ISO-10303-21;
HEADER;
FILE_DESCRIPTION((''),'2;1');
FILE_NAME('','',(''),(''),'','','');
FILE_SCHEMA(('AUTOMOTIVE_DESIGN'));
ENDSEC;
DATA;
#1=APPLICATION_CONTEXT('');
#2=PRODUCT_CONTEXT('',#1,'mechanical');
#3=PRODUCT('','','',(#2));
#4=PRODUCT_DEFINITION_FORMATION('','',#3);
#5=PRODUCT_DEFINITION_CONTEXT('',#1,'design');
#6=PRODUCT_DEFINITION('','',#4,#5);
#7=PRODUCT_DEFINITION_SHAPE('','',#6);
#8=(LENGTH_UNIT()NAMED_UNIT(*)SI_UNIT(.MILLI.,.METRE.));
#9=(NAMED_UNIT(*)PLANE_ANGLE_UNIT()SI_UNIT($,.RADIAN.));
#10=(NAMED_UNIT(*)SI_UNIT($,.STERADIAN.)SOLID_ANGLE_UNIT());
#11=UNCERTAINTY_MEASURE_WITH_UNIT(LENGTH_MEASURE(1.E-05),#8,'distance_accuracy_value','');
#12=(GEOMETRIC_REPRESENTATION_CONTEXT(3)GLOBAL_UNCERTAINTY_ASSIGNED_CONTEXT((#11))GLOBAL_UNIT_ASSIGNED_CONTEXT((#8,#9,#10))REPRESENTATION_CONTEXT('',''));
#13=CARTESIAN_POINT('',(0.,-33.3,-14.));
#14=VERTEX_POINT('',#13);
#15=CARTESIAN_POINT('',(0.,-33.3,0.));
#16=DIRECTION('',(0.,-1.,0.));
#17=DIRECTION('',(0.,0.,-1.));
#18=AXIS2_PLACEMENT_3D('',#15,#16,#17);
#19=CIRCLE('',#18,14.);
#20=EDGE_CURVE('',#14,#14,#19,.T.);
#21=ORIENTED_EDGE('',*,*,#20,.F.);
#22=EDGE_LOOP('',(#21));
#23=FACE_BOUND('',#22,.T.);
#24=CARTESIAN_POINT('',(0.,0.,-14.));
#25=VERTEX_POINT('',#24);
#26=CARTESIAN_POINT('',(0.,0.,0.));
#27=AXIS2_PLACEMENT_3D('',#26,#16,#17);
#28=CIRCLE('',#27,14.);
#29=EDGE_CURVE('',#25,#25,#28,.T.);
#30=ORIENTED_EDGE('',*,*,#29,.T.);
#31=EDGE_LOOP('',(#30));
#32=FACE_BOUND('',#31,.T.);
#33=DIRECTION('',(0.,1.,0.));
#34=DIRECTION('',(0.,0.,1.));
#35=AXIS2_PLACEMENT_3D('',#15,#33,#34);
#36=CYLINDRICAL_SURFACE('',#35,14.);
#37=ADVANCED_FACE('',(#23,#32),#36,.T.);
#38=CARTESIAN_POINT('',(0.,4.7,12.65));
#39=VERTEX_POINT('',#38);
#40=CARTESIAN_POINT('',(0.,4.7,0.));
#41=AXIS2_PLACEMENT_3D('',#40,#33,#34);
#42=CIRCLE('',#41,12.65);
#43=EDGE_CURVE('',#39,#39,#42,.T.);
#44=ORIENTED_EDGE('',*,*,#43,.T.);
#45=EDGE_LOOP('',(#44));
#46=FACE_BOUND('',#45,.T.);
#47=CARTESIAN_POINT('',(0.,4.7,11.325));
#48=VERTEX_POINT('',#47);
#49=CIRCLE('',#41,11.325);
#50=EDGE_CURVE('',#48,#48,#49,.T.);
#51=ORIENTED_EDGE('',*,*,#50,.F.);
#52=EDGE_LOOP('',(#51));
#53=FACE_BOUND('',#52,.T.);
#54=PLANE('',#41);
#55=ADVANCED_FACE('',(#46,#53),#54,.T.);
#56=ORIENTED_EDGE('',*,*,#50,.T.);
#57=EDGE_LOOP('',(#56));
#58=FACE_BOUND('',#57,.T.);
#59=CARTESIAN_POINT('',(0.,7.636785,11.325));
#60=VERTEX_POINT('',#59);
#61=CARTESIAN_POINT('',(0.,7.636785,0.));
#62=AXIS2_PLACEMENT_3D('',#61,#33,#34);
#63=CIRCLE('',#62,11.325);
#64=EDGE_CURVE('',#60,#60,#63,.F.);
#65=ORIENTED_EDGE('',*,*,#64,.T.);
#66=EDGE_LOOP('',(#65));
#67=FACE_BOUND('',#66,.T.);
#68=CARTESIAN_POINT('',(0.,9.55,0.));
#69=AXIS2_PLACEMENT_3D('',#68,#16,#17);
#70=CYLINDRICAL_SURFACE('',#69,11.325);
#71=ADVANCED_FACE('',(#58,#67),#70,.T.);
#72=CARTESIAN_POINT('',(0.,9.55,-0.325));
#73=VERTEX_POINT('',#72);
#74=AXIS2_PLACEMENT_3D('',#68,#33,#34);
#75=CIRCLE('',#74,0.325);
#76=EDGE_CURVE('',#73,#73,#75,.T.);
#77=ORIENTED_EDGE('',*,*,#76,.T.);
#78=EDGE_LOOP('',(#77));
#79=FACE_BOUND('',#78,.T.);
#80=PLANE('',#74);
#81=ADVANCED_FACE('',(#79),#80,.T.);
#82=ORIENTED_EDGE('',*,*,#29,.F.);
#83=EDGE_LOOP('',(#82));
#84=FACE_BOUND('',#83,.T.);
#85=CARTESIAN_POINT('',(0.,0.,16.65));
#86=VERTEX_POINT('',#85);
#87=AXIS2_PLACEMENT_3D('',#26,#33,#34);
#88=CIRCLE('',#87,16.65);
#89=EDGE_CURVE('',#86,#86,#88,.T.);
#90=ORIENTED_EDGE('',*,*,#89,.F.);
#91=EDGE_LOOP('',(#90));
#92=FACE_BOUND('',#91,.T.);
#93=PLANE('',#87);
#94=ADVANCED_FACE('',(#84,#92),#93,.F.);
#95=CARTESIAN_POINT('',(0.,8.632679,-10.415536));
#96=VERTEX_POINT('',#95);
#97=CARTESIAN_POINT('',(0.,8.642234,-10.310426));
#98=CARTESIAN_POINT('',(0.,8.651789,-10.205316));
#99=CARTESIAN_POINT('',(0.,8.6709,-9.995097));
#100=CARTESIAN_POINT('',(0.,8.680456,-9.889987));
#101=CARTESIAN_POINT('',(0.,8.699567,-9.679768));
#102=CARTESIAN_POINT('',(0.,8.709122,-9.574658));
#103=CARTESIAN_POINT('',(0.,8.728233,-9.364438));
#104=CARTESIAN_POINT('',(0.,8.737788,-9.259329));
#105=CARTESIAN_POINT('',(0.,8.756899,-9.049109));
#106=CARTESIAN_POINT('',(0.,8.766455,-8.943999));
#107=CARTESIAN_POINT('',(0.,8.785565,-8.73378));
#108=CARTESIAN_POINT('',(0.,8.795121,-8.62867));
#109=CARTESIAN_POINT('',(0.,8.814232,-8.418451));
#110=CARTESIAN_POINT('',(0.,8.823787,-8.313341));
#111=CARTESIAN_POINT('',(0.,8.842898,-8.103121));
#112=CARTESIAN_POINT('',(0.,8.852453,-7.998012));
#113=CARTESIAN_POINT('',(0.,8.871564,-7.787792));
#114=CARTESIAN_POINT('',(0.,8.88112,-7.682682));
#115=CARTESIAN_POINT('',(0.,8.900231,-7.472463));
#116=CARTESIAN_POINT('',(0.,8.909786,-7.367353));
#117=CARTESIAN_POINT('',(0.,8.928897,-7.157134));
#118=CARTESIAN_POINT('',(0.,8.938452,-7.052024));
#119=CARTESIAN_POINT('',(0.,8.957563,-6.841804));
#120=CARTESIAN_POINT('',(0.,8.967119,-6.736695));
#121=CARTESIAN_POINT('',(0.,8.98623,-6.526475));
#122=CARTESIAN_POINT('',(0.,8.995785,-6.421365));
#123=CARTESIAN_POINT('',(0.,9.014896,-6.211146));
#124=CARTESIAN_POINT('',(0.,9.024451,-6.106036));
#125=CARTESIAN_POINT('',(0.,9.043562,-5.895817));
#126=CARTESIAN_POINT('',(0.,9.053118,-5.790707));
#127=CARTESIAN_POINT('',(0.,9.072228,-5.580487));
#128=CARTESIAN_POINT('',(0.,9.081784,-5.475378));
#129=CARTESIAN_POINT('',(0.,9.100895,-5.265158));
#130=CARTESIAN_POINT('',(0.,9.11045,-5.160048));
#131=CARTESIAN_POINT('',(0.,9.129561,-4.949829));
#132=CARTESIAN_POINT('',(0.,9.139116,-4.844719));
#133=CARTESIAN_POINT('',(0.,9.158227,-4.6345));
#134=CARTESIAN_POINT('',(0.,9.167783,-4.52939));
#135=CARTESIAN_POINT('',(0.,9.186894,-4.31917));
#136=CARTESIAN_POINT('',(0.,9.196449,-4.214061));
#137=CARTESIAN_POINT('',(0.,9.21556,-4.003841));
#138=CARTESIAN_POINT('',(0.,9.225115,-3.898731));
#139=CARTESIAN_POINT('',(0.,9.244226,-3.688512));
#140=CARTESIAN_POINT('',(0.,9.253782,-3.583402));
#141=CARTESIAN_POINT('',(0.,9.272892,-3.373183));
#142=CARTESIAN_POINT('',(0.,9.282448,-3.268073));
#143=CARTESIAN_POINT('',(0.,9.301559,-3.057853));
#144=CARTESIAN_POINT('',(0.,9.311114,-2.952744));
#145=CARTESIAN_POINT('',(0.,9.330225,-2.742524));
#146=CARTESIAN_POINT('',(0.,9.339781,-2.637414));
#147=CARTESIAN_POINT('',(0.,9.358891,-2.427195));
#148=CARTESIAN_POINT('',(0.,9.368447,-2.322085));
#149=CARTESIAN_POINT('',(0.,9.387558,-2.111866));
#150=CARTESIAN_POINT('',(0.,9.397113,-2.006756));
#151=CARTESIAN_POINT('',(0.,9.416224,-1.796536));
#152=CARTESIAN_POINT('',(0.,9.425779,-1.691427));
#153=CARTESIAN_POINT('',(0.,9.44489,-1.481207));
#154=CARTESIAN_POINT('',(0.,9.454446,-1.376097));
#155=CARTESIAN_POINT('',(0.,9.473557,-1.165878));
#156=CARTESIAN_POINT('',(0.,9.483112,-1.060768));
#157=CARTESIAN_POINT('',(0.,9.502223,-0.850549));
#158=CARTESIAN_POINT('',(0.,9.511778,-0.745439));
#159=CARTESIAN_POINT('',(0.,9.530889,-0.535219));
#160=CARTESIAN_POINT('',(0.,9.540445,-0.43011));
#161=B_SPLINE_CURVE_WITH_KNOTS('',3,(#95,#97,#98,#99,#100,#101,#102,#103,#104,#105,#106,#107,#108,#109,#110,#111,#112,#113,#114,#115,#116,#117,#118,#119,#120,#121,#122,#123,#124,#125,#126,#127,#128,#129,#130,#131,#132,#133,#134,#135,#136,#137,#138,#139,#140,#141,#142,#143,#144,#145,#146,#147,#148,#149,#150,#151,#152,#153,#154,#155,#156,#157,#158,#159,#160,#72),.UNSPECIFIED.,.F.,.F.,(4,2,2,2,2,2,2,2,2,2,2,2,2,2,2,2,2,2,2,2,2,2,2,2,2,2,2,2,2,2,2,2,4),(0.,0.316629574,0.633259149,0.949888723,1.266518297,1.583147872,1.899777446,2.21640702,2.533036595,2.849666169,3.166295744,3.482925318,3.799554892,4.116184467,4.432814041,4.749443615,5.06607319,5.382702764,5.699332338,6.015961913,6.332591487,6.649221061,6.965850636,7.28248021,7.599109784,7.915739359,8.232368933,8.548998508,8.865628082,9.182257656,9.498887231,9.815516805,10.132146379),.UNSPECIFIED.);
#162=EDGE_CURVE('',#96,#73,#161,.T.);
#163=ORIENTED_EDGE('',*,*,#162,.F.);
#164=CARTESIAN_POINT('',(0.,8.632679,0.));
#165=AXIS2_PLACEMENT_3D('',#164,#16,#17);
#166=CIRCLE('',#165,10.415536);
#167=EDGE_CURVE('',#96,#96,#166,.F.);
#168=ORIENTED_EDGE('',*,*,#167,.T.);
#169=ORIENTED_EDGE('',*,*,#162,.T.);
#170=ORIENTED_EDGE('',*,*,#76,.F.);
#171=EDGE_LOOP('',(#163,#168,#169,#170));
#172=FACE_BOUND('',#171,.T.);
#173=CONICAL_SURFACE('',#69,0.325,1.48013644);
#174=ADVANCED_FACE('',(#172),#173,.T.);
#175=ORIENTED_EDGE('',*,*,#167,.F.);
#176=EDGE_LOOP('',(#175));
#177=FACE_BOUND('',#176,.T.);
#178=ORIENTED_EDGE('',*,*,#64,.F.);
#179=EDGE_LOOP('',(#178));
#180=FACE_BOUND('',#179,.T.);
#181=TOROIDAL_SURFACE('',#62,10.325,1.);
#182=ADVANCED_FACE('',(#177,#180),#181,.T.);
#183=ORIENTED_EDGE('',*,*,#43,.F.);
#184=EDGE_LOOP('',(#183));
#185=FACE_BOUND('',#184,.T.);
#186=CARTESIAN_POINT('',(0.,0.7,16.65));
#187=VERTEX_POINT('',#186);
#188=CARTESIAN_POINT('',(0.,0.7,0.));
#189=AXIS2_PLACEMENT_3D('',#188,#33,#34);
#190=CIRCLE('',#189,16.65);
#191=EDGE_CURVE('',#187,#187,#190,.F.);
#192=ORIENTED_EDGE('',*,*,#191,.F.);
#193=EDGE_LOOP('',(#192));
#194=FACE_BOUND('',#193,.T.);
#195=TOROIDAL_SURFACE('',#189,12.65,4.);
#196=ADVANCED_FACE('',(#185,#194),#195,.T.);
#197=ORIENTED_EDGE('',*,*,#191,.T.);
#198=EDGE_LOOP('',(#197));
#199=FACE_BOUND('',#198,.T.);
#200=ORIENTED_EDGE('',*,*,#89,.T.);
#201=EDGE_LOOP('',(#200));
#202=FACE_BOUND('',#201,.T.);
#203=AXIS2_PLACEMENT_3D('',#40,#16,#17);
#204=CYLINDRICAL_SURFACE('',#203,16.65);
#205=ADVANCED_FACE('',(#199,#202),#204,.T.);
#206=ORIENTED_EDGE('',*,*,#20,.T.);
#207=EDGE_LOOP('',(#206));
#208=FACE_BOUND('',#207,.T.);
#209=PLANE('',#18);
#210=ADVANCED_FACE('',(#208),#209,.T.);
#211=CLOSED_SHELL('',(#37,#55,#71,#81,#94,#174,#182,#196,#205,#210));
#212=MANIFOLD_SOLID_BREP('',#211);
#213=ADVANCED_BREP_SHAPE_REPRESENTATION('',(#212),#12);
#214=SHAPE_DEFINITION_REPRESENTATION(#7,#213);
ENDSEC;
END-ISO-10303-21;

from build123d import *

# Parameters (mm, degrees)
SKETCH1_R           = 16.65
BOSS_EXTRUDE1_DEPTH = 4.7
SKETCH2_R           = 11.325
BOSS_EXTRUDE2_DEPTH = 4.85
SKETCH3_R           = 14
BOSS_EXTRUDE3_DEPTH = 33.3
FILLET1_R           = 4
CHAMFER1_SIZE       = 1
CHAMFER1_SIZE2      = 11
FILLET2_R           = 1


with BuildPart() as part:
    # Sketch1 → Boss-Extrude1 (new body)
    with BuildSketch(Plane(origin=(0, 0, 0), x_dir=(1, 0, 0), z_dir=(0, 1, 0))):
        with Locations(Location((0, 0, 0), (0, 0, 270))):
            Circle(SKETCH1_R)
    extrude(amount=BOSS_EXTRUDE1_DEPTH)

    # Sketch2 → Boss-Extrude2 (add)
    with BuildSketch(Plane(origin=(0, 4.7, 0), x_dir=(1, 0, 0), z_dir=(0, 1, 0))):
        with Locations(Location((0, 0, 0), (0, 0, 270))):
            Circle(SKETCH2_R)
    extrude(amount=BOSS_EXTRUDE2_DEPTH)

    # Sketch3 → Boss-Extrude3 (add)
    with BuildSketch(Plane.XZ):
        with Locations(Location((0, 0, 0), (0, 0, 270))):
            Circle(SKETCH3_R)
    extrude(amount=BOSS_EXTRUDE3_DEPTH)

    # Fillet1
    fillet1_edges = [part.edges().sort_by_distance(p)[0] for p in [
        (0, 4.7, -16.65),
    ]]
    fillet(fillet1_edges, radius=FILLET1_R)

    # Chamfer1
    chamfer1_edges = [part.edges().sort_by_distance(p)[0] for p in [
        (0, 9.55, -11.325),
    ]]
    chamfer1_side = [part.faces().sort_by_distance(p)[0] for p in [
        (0, 7.125, -11.325),
    ]]
    chamfer(chamfer1_edges, length=CHAMFER1_SIZE, length2=CHAMFER1_SIZE2, reference=chamfer1_side[0])

    # Fillet2
    fillet2_edges = [part.edges().sort_by_distance(p)[0] for p in [
        (0, 8.55, -11.325),
    ]]
    fillet(fillet2_edges, radius=FILLET2_R)


solid = part.part
